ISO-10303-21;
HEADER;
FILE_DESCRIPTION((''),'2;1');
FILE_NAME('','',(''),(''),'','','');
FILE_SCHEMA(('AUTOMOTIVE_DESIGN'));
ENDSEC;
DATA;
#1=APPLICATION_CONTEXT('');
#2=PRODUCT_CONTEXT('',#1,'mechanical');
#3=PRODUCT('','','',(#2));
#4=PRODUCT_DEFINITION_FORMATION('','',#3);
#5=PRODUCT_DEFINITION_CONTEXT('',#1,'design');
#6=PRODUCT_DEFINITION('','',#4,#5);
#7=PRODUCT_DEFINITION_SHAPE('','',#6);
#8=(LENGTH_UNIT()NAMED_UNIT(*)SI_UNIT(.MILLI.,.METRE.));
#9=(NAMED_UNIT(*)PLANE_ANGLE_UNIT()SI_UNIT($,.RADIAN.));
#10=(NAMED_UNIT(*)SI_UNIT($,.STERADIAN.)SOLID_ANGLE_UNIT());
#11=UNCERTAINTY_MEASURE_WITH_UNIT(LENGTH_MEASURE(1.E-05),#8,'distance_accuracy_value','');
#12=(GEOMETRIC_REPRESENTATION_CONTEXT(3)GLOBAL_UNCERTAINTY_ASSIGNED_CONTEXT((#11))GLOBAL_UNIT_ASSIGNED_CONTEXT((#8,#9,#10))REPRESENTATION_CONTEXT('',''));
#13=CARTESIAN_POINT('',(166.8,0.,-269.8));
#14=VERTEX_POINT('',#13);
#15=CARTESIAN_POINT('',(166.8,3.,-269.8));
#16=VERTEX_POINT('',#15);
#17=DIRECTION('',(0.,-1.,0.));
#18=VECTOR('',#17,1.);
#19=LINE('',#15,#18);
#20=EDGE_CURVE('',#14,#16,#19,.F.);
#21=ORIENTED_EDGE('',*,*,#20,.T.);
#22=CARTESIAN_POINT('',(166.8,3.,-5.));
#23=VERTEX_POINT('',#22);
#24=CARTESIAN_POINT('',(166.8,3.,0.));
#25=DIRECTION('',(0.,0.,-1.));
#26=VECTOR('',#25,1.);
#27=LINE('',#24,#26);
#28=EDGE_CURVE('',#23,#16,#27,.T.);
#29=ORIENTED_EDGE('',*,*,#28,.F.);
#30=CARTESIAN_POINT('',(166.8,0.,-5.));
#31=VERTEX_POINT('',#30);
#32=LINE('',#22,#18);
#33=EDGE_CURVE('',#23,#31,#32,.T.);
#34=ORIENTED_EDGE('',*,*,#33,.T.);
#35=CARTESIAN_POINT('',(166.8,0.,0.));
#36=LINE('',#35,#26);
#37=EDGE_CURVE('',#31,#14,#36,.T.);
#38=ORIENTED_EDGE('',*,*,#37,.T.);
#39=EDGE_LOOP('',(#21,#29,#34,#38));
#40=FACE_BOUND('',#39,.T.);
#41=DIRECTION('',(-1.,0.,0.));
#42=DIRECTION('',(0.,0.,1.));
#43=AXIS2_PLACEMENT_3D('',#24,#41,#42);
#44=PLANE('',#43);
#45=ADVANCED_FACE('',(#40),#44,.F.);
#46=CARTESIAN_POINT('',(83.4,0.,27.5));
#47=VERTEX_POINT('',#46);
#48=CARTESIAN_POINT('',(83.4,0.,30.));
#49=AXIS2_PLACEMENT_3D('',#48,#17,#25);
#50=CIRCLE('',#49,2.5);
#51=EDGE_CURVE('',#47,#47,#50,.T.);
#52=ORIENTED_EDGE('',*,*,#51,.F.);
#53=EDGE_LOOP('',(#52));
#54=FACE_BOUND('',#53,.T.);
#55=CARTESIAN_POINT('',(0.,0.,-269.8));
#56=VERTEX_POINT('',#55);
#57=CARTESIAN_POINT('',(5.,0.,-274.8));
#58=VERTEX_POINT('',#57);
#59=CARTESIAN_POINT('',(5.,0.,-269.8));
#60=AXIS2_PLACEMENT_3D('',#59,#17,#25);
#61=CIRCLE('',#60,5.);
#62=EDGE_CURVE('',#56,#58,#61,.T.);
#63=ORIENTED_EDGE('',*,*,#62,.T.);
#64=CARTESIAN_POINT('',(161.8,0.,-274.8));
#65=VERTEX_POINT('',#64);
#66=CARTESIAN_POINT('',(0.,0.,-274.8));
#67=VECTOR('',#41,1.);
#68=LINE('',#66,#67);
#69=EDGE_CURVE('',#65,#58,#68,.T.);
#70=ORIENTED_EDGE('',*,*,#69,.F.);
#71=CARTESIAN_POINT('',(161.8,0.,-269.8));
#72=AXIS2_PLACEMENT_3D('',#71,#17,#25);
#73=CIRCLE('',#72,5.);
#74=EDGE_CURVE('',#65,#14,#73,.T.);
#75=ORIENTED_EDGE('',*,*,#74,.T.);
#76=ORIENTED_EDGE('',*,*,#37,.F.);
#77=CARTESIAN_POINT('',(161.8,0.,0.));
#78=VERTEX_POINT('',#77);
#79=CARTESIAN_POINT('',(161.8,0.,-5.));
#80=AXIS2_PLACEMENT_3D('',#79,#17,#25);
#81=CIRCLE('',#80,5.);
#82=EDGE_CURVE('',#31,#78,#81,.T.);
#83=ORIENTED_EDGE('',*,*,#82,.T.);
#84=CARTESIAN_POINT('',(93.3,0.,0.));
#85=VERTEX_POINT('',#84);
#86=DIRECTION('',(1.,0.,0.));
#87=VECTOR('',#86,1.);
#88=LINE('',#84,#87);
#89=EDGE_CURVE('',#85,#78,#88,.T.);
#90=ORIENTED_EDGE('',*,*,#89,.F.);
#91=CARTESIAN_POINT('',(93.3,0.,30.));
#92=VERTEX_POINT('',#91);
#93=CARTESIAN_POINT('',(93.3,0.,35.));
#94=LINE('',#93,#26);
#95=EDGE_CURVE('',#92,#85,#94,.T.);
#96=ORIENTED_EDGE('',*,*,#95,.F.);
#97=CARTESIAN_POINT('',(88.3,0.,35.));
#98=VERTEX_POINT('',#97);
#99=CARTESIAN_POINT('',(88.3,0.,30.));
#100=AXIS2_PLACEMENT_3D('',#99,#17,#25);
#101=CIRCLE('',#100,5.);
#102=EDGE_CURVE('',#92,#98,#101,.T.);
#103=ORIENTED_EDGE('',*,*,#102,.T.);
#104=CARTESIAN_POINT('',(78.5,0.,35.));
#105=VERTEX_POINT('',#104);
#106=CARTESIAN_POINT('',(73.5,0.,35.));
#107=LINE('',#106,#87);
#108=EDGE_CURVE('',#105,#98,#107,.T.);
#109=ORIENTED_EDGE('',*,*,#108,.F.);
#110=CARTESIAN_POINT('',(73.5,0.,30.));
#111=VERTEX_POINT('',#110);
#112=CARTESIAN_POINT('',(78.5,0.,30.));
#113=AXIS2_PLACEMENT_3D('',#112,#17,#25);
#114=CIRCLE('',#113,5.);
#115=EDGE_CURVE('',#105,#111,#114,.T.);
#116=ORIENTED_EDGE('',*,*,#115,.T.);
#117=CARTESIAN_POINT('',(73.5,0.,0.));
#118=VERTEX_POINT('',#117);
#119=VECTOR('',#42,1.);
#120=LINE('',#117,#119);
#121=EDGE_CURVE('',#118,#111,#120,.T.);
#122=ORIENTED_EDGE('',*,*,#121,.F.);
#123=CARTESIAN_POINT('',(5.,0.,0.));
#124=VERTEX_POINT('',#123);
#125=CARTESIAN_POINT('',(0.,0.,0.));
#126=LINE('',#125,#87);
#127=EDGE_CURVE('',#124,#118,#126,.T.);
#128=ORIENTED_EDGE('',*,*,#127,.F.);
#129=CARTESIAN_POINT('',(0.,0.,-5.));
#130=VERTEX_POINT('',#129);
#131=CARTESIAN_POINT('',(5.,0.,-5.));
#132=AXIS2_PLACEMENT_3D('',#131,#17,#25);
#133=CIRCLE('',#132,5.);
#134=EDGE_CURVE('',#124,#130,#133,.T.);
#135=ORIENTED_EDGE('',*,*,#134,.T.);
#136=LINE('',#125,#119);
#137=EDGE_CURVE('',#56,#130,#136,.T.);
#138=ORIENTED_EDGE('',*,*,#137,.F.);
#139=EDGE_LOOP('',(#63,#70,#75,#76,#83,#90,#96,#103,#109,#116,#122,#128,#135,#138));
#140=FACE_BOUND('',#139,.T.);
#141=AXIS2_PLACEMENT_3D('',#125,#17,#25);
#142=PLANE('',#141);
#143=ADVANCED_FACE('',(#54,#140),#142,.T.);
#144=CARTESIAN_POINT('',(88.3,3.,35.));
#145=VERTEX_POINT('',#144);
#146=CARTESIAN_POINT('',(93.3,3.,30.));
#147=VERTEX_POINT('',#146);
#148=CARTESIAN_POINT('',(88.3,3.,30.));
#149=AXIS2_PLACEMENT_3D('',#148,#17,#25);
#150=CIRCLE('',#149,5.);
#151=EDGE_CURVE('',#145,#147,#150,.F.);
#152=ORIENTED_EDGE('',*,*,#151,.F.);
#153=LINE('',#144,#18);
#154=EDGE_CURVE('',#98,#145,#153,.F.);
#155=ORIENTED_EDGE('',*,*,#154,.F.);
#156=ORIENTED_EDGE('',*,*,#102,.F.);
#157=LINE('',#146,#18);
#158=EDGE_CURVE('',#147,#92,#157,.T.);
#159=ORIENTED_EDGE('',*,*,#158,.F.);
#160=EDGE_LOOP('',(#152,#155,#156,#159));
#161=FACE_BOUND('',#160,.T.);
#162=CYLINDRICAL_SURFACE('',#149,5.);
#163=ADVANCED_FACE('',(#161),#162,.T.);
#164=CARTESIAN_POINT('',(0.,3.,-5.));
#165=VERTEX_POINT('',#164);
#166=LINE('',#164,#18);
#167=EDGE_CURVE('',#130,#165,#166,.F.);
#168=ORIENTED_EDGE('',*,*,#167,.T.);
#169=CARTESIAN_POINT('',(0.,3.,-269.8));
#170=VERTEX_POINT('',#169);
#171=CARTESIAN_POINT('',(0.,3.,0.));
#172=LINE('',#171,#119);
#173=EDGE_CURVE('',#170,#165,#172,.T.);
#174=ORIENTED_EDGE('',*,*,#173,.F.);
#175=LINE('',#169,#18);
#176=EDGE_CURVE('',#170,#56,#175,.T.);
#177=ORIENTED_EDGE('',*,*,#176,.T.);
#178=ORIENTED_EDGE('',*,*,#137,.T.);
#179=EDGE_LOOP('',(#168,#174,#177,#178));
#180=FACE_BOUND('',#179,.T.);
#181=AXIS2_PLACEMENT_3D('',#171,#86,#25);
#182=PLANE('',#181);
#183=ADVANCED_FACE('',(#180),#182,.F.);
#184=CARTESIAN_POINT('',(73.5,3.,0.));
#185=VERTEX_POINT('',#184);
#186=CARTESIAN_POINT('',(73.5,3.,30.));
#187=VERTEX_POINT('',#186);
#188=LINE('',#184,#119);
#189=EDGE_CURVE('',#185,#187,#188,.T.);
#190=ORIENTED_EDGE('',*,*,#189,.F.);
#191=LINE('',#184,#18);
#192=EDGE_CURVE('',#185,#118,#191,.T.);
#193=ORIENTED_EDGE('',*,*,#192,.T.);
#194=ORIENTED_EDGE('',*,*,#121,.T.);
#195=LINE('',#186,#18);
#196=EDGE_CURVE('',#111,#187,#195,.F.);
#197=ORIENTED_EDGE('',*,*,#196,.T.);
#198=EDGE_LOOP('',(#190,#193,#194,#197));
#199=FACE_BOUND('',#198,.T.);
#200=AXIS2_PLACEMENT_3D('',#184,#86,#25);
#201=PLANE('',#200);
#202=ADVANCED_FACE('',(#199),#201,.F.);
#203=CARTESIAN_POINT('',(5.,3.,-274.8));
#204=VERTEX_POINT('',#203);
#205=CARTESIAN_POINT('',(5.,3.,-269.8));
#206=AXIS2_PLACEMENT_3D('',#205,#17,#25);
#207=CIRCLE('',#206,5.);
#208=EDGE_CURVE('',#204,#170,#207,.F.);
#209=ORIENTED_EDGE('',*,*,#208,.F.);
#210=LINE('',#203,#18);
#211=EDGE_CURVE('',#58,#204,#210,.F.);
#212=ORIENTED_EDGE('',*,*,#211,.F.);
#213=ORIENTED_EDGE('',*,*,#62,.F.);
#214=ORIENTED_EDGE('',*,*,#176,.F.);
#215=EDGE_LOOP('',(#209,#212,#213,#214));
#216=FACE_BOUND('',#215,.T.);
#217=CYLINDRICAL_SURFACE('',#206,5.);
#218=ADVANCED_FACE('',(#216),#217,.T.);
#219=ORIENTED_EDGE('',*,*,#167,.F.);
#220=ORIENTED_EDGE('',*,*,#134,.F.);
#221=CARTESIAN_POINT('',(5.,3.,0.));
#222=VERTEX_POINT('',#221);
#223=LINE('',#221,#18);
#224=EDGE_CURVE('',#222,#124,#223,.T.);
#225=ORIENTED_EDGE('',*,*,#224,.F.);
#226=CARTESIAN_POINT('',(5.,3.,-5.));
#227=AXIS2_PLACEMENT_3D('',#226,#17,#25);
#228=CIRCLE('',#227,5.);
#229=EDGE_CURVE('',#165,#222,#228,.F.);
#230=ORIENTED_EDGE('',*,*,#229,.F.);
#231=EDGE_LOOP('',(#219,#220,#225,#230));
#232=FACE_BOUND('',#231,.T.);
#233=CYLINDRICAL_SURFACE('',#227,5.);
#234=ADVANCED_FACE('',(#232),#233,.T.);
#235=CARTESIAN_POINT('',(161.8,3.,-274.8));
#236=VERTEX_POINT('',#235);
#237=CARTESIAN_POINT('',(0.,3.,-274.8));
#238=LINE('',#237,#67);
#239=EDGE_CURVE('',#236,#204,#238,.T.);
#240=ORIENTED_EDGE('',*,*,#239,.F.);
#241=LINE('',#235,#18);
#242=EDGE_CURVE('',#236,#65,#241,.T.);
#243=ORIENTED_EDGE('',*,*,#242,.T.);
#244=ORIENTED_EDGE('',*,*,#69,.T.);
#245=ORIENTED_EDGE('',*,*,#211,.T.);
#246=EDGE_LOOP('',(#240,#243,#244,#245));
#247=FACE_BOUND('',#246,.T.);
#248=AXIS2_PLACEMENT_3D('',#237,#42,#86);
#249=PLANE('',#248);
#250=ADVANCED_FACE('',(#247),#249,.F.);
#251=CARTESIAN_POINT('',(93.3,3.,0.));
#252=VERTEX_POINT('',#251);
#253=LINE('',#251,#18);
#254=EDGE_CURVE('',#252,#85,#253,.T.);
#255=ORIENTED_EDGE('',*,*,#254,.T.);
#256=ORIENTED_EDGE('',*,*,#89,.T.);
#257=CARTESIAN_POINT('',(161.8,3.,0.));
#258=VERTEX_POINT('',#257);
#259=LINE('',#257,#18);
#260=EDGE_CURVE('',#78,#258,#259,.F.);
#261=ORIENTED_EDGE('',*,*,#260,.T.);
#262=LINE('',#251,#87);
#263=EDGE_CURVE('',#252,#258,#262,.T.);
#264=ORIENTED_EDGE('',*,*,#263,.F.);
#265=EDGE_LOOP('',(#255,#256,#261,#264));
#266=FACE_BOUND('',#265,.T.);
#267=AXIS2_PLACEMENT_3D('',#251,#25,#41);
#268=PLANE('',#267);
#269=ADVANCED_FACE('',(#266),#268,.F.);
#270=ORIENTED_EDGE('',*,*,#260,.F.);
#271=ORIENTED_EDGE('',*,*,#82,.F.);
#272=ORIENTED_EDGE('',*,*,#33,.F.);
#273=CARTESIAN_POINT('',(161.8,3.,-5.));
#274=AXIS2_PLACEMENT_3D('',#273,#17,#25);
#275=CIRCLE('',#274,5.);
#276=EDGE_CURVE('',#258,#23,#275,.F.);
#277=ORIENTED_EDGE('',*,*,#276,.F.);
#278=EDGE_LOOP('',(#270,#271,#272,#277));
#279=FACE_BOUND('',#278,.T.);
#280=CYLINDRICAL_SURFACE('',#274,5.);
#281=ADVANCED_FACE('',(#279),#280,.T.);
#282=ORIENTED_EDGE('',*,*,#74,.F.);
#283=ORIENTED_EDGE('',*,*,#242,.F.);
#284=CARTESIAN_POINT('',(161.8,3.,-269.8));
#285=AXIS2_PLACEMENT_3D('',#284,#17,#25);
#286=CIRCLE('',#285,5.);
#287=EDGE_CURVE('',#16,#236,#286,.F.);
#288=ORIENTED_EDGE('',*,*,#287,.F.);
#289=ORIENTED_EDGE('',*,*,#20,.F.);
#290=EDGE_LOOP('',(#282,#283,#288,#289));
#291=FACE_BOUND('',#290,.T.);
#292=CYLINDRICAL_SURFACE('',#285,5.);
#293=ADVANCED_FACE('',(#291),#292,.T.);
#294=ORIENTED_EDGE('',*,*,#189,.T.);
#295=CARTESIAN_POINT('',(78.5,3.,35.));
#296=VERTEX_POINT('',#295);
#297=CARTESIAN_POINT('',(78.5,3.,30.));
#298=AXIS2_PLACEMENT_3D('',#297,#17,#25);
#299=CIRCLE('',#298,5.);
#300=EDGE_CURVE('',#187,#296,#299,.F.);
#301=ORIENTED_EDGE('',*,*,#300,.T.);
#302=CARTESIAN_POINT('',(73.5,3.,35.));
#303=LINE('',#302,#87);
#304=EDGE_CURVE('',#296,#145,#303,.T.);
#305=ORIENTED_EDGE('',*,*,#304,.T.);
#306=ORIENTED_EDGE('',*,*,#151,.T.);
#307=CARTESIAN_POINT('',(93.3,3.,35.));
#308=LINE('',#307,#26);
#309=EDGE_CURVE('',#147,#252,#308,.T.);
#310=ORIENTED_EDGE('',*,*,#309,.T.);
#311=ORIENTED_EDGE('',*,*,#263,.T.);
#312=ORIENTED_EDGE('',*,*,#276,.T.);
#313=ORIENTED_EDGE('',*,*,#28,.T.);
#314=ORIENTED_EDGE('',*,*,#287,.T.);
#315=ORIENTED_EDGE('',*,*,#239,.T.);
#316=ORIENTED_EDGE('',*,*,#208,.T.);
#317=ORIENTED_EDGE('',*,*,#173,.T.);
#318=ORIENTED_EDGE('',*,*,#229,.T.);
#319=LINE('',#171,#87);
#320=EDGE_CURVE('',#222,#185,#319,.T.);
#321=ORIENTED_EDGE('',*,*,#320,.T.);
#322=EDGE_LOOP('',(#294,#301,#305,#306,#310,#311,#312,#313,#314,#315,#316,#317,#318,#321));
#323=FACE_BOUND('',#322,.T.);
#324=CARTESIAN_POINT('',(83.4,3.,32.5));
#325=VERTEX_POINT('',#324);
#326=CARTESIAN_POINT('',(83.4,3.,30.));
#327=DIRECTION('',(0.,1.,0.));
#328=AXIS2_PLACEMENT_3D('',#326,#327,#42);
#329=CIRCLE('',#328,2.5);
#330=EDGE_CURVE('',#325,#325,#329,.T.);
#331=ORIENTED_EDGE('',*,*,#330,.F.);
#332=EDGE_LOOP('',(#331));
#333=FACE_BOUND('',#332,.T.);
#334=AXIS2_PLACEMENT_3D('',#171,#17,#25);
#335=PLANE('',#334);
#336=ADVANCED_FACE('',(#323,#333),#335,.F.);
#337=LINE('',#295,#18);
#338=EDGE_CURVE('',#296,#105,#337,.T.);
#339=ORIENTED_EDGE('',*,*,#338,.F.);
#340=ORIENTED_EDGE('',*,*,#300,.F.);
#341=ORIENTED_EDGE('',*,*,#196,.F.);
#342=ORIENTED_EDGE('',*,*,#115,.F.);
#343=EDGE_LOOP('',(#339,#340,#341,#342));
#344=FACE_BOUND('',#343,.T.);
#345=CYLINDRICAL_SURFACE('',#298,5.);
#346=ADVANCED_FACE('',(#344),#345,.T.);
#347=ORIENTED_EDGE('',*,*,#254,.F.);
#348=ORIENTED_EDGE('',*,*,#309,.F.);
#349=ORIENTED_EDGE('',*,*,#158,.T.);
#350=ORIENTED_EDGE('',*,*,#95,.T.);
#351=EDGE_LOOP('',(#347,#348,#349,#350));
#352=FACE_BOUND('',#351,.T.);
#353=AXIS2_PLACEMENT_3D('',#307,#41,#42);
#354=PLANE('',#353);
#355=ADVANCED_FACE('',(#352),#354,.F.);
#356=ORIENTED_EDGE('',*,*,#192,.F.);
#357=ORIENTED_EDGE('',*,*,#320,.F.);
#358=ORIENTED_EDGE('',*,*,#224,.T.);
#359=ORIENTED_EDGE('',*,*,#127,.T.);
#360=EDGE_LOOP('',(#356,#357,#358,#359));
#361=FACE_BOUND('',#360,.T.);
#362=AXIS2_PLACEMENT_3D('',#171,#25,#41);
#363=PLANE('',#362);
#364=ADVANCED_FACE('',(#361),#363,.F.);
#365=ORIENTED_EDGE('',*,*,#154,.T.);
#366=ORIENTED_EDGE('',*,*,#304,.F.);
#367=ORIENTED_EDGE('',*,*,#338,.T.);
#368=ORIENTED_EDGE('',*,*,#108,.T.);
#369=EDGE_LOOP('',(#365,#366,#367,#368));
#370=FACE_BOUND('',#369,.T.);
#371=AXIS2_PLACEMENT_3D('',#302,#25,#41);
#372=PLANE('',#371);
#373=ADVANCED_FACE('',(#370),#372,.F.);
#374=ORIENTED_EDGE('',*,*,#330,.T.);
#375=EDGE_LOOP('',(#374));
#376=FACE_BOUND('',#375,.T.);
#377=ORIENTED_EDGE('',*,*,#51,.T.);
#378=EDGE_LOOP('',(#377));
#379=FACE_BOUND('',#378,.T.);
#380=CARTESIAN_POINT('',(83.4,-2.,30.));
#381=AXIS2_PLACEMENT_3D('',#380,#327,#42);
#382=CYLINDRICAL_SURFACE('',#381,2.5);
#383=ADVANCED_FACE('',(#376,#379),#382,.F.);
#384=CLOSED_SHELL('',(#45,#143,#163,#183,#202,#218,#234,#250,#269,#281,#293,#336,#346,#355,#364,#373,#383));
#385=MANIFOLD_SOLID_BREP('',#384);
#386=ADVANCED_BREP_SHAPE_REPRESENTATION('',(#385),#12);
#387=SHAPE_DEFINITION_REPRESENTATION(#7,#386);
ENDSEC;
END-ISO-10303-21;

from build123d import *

# Parameters (mm, degrees)
BOSS_EXTRUDE1_DEPTH = 3
SKETCH2_R           = 2.5
CUT_EXTRUDE1_DEPTH  = 5
FILLET1_R           = 5


with BuildPart() as part:
    # Sketch1 → Boss-Extrude1 (new body)
    with BuildSketch(Plane(origin=(0, 0, 0), x_dir=(1, 0, 0), z_dir=(0, 1, 0))):
        Polygon((0, 0), (73.5, 0), (73.5, -35), (93.3, -35), (93.3, 0), (166.8, 0), (166.8, 274.8), (0, 274.8), align=None)
    extrude(amount=BOSS_EXTRUDE1_DEPTH)

    # Sketch2 → Cut-Extrude1 (cut)
    with BuildSketch(Plane(origin=(0, 3, 0), x_dir=(1, 0, 0), z_dir=(0, 1, 0))):
        with Locations(Location((83.4, -30, 0), (0, 0, 270))):
            Circle(SKETCH2_R)
    extrude(amount=-CUT_EXTRUDE1_DEPTH, mode=Mode.SUBTRACT)

    # Fillet1
    fillet1_edges = [part.edges().sort_by_distance(p)[0] for p in [
        (0, 1.5, -274.8),
        (166.8, 1.5, -274.8),
        (166.8, 1.5, 0),
        (93.3, 1.5, 35),
        (73.5, 1.5, 35),
        (0, 1.5, 0),
    ]]
    fillet(fillet1_edges, radius=FILLET1_R)


solid = part.part
